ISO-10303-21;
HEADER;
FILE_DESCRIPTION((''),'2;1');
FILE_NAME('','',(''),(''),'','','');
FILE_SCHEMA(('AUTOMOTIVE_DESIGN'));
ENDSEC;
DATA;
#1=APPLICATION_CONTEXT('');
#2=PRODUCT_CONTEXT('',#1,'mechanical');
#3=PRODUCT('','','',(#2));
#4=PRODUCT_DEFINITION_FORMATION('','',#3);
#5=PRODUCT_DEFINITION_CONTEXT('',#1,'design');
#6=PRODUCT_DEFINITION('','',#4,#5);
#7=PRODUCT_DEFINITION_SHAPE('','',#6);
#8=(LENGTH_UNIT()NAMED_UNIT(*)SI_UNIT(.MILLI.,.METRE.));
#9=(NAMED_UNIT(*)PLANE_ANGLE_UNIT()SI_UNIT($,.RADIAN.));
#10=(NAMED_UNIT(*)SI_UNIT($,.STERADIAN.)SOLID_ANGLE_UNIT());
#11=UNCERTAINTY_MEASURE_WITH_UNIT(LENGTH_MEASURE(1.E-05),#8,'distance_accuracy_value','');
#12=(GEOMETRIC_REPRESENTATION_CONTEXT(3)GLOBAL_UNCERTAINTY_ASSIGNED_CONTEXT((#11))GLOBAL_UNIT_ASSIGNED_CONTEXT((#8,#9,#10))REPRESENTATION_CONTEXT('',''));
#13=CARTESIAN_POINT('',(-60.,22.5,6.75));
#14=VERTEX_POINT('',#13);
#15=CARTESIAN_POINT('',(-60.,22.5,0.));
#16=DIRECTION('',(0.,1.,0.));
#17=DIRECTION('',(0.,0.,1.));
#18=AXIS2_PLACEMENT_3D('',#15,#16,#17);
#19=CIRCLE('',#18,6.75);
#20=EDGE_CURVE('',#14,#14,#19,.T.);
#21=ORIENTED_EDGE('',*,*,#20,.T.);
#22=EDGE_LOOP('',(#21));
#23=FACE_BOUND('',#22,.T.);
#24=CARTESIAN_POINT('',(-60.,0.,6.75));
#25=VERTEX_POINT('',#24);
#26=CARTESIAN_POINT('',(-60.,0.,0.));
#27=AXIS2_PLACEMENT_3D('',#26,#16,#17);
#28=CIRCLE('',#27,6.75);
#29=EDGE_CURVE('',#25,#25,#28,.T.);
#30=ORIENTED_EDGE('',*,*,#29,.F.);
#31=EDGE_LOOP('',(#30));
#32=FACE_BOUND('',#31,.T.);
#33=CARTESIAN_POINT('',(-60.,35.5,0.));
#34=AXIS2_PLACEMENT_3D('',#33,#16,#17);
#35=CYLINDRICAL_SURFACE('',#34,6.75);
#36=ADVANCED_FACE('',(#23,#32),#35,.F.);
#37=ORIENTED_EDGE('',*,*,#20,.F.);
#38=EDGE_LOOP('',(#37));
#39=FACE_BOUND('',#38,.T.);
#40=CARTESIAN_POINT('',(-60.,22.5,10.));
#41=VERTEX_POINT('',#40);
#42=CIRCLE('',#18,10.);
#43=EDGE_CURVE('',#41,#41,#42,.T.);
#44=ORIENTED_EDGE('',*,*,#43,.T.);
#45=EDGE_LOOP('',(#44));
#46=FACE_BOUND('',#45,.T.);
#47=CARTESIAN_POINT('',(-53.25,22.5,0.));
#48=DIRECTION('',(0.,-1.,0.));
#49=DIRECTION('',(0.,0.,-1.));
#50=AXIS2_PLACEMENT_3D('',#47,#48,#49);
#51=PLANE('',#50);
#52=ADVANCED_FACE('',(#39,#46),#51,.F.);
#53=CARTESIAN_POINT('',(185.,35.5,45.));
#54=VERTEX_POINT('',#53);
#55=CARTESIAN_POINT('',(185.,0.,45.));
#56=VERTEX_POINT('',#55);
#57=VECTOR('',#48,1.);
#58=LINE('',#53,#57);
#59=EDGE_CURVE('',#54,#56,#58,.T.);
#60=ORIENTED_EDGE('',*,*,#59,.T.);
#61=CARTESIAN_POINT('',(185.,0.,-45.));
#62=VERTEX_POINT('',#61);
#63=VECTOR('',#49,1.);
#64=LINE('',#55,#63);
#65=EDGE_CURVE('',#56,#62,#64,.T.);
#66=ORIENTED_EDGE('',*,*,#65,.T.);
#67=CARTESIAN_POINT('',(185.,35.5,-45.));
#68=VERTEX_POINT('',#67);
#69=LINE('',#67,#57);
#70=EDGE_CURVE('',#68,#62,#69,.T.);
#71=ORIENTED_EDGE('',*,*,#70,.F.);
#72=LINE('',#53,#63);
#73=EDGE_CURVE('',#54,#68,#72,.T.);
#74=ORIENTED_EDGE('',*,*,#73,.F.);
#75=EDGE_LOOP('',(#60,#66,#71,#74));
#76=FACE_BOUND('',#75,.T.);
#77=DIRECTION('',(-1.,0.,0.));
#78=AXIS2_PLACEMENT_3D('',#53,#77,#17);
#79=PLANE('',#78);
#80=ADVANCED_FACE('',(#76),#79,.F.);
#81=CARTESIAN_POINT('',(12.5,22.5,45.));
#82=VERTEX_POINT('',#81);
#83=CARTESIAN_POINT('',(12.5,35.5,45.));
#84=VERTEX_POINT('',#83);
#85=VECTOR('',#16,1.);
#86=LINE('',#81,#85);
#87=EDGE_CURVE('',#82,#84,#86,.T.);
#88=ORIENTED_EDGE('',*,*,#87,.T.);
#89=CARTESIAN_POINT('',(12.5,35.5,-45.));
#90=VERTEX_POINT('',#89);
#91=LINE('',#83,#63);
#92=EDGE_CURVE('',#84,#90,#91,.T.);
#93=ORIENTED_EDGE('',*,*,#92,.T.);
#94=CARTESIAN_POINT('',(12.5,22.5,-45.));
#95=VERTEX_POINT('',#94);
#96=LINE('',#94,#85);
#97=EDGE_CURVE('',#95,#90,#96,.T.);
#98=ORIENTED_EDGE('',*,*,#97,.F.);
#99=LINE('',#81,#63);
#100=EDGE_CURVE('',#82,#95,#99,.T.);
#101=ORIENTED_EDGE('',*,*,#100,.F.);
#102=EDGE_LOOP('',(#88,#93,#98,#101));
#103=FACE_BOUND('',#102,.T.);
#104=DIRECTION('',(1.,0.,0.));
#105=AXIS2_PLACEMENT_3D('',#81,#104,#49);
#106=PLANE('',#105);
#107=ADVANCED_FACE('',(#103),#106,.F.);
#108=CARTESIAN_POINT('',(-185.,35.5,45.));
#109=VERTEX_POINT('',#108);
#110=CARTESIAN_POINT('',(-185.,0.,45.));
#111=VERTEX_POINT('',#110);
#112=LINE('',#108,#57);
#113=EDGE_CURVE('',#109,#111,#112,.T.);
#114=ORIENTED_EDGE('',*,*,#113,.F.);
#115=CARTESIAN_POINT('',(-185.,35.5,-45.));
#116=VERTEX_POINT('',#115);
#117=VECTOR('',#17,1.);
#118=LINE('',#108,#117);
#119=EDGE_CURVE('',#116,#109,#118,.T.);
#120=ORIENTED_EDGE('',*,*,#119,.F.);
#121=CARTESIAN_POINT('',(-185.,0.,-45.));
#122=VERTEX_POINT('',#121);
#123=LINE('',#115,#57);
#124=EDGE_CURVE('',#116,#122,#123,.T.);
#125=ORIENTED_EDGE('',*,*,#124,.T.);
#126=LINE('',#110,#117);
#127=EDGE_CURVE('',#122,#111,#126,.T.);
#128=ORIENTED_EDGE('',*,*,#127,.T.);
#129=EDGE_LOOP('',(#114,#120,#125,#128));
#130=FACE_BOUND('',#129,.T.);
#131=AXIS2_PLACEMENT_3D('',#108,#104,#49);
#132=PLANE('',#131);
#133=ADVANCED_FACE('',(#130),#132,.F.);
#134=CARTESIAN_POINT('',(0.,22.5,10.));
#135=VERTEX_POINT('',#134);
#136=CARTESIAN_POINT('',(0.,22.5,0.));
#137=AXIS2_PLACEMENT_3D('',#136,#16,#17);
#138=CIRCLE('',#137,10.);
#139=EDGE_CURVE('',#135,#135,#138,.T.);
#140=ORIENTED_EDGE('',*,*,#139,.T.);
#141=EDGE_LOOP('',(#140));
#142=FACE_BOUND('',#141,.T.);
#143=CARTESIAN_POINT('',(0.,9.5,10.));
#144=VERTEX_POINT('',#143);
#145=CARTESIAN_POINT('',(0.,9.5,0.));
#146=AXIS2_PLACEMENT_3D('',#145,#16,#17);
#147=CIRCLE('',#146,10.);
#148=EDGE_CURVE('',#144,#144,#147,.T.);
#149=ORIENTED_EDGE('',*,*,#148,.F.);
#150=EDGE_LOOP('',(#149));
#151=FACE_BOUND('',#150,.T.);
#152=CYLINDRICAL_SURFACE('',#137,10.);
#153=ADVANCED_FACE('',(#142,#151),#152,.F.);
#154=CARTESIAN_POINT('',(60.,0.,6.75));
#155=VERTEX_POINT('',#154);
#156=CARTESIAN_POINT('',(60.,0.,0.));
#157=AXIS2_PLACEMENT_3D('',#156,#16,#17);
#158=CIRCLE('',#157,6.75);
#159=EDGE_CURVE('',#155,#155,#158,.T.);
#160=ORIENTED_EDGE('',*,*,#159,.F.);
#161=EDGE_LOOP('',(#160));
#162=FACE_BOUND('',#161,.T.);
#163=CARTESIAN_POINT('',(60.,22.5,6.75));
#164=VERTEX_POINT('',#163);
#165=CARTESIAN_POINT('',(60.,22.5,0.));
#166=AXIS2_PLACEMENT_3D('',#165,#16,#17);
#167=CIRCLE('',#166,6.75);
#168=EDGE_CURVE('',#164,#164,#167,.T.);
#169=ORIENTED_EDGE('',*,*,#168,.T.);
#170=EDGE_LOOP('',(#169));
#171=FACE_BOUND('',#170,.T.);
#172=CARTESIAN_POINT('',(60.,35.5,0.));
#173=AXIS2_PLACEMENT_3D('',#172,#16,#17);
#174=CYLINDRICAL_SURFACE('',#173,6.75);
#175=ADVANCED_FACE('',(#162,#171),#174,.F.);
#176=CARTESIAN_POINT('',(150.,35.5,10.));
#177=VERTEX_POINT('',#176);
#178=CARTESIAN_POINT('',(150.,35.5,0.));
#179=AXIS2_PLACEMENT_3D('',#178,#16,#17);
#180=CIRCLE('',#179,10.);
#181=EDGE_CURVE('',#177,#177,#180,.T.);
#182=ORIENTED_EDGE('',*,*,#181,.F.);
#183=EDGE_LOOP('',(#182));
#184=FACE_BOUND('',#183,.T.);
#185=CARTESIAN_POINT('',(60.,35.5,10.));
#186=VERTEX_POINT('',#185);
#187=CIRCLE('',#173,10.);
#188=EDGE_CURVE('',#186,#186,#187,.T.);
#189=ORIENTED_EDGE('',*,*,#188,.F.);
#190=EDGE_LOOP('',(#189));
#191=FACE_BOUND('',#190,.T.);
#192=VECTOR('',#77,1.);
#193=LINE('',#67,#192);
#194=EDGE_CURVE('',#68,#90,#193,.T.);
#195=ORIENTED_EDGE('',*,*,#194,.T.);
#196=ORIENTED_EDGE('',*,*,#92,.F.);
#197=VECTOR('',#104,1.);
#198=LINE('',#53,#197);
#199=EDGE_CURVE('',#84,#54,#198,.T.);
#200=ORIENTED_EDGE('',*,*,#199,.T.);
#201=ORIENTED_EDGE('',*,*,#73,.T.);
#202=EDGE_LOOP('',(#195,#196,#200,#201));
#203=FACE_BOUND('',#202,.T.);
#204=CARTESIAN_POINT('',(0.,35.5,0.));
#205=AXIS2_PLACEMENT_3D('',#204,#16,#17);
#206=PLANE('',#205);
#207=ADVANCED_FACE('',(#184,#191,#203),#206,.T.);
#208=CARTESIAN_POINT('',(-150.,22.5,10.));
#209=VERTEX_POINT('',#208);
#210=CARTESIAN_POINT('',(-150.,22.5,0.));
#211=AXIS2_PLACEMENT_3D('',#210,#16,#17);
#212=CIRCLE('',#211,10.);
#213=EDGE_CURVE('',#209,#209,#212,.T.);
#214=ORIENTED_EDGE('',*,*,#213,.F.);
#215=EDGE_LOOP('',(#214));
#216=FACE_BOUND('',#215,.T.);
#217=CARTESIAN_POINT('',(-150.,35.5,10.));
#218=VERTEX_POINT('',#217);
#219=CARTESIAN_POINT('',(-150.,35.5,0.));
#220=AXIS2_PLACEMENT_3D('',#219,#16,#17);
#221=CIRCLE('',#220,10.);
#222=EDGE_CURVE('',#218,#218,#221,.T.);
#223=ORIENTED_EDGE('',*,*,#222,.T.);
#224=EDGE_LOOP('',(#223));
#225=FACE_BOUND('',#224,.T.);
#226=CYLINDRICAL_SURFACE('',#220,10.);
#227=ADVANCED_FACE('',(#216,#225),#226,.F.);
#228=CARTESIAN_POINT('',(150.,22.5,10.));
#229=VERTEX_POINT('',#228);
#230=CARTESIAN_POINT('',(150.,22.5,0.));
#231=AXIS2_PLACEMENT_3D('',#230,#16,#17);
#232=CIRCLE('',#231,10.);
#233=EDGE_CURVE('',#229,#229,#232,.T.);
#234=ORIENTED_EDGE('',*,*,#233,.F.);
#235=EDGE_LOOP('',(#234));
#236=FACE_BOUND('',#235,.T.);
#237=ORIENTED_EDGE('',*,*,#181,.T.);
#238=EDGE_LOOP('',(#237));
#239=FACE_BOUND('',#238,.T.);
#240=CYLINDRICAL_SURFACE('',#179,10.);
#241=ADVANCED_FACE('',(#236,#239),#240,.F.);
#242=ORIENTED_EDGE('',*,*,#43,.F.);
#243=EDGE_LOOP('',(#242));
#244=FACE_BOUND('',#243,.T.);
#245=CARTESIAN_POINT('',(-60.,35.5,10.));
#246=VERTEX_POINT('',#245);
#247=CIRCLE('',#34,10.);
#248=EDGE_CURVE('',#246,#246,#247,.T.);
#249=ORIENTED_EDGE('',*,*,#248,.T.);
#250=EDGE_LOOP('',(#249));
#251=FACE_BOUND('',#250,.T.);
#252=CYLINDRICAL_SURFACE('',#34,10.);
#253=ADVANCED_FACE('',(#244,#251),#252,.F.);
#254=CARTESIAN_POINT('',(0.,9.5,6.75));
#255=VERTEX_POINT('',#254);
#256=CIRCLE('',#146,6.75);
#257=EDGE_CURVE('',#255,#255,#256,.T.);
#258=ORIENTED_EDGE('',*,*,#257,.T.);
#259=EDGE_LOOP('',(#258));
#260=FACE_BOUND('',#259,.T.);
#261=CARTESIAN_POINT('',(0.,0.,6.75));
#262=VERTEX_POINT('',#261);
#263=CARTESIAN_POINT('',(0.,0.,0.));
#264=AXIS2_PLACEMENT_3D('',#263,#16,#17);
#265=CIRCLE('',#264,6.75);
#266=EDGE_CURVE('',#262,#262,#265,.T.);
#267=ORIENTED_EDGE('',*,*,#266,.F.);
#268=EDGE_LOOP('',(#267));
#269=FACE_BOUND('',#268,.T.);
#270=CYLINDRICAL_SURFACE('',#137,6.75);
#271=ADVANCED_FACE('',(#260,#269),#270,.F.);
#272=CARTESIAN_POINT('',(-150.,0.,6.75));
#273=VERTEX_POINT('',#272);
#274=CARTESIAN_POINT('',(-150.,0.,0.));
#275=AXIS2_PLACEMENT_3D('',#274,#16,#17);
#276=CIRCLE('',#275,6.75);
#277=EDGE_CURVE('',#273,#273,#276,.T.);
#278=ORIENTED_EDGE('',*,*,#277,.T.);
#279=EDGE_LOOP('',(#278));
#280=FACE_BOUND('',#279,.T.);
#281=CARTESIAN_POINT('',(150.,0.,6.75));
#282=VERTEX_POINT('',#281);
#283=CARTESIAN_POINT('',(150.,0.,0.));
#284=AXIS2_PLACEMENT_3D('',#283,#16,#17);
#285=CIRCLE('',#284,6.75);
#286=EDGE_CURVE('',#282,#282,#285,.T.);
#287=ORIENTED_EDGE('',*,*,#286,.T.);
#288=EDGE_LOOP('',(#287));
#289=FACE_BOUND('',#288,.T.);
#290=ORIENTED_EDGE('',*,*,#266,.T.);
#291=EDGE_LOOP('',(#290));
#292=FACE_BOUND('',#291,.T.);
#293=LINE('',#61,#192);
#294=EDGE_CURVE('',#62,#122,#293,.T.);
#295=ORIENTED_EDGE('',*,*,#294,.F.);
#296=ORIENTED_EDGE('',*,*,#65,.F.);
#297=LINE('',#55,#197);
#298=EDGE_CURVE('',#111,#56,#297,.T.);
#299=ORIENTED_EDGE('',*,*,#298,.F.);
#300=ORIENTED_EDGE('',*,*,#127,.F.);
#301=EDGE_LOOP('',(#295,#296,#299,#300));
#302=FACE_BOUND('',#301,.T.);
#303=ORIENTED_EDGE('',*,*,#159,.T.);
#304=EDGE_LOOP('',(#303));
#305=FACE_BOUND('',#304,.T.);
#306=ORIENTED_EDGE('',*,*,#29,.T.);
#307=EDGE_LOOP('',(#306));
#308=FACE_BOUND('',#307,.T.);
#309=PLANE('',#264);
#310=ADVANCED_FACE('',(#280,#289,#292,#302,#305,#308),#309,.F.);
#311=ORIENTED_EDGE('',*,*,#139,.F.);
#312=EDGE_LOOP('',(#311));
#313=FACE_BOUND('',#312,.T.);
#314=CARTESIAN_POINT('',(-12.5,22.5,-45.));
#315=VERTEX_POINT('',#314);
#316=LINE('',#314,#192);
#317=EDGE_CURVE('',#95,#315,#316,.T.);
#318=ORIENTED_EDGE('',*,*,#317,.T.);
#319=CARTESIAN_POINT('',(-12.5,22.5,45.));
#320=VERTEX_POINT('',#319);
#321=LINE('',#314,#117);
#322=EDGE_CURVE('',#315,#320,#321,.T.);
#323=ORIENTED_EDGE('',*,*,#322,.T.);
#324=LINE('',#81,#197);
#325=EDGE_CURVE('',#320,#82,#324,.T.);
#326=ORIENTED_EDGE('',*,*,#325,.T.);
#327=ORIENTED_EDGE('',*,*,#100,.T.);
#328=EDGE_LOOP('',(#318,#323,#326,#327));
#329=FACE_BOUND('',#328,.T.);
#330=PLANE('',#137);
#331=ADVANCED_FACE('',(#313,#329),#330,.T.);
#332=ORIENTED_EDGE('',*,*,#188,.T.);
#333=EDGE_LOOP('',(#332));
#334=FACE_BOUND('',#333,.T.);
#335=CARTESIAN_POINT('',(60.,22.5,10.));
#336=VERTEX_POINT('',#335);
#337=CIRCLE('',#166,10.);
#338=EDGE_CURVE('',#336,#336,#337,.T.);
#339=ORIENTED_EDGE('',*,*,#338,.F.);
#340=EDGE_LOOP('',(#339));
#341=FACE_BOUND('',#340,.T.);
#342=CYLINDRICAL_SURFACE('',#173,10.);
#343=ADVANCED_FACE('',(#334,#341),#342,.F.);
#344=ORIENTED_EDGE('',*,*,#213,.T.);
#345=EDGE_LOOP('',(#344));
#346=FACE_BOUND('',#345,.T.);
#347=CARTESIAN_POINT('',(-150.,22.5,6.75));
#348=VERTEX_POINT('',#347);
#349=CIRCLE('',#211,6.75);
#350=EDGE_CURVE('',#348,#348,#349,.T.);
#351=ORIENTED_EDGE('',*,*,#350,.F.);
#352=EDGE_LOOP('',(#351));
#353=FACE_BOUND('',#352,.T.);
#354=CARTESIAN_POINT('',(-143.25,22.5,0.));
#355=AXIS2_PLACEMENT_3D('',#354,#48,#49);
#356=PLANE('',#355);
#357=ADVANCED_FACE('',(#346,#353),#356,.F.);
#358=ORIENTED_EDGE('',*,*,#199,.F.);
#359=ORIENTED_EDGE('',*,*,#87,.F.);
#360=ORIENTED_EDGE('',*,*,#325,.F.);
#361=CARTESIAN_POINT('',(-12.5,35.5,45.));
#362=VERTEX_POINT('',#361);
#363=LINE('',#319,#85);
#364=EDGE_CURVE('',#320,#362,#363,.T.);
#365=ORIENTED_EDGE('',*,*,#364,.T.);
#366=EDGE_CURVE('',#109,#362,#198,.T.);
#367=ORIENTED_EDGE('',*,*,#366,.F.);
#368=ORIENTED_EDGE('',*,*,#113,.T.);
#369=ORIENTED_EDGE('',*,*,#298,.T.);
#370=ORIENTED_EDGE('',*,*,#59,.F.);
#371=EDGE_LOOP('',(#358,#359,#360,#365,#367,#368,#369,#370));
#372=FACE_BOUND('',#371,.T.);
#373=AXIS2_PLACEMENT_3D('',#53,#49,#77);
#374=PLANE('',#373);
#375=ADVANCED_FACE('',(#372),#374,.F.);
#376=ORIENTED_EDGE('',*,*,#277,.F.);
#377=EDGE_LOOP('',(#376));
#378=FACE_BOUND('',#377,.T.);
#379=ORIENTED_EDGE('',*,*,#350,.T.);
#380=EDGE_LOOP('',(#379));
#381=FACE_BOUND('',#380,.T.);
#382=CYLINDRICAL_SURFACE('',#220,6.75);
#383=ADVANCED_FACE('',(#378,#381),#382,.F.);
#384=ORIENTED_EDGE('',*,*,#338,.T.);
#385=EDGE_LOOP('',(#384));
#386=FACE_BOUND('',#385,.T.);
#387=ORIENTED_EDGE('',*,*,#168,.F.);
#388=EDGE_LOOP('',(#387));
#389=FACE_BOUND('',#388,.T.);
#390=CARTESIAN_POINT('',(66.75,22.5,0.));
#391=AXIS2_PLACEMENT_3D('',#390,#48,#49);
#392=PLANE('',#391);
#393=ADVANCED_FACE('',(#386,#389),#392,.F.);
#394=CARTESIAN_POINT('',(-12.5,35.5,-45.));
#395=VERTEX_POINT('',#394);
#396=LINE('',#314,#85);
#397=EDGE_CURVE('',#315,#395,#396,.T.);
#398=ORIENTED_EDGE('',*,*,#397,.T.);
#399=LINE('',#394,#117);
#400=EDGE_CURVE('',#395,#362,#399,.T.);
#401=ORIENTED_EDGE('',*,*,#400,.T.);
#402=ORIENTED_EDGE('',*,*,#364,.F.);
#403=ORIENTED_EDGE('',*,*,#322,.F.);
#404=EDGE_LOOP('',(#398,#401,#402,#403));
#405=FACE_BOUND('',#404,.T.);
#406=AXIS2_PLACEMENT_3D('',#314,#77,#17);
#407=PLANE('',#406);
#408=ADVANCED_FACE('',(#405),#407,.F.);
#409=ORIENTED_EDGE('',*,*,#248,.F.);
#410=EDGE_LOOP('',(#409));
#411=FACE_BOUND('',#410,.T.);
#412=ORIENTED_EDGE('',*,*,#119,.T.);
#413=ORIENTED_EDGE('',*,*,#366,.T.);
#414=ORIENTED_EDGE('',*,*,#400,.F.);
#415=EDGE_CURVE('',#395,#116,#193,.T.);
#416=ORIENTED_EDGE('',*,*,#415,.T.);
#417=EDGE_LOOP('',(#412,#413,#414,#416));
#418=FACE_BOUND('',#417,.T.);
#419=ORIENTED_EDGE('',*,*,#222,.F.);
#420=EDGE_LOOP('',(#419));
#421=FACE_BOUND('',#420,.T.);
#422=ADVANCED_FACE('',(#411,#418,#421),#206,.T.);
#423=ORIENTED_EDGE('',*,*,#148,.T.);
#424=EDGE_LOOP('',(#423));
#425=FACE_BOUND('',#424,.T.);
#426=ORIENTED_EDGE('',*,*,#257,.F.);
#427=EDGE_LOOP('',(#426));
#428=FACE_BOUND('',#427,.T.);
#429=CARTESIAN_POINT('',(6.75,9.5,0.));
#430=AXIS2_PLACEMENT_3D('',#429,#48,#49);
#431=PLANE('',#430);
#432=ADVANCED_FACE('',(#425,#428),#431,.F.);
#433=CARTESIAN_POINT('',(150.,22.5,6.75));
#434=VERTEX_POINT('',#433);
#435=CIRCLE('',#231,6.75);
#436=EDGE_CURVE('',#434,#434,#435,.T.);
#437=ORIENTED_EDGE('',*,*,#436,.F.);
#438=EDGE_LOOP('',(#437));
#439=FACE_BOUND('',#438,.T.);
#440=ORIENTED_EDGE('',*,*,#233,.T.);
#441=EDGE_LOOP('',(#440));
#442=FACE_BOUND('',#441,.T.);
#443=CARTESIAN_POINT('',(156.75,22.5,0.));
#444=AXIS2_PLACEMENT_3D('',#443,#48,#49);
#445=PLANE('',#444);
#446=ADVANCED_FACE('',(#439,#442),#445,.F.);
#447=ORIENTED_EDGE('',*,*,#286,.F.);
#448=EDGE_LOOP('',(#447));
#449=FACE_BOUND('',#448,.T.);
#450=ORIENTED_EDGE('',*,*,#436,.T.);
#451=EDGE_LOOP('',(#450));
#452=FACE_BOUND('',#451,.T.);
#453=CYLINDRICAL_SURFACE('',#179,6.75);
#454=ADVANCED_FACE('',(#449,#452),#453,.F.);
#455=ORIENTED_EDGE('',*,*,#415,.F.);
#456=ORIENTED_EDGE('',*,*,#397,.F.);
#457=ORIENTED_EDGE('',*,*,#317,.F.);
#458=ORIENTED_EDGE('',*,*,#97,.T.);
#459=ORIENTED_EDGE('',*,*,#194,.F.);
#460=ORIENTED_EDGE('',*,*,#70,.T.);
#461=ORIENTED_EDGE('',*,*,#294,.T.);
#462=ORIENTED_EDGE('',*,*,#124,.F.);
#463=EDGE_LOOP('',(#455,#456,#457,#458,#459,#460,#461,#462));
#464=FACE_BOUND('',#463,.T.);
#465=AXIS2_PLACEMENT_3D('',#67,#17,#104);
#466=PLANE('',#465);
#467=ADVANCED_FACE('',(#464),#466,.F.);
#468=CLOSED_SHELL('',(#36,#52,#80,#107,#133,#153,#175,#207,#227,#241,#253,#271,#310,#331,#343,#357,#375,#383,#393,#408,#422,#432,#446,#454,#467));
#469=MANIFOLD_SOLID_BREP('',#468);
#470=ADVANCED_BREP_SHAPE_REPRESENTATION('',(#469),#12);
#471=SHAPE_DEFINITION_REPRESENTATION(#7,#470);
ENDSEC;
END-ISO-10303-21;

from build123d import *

# Parameters (mm, degrees)
SKETCH_1_W                          = 370
SKETCH_1_H                          = 90
EXTRUDE_1_DEPTH                     = 35.5
SKETCH_2_W                          = 25
SKETCH_2_H                          = 90
CUT_EXTRUDE_1_DEPTH                 = 13
HOLE_WIZARD_M4_1_D                  = 13.5
HOLE_WIZARD_M4_1_CBORE_D            = 20
HOLE_WIZARD_M4_1_CBORE_DEPTH        = 13
PATTERN_LINEAR_1_COUNT              = 2
PATTERN_LINEAR_1_PITCH              = 90
PATTERN_LINEAR_2_COPY_1_D           = 13.5
PATTERN_LINEAR_2_COPY_1_CBORE_D     = 20
PATTERN_LINEAR_2_COPY_1_CBORE_DEPTH = 13
PATTERN_LINEAR_3_COPY_1_D           = 13.5
PATTERN_LINEAR_3_COPY_1_CBORE_D     = 20
PATTERN_LINEAR_3_COPY_1_CBORE_DEPTH = 13
PATTERN_LINEAR_3_COPY_2_D           = 13.5
PATTERN_LINEAR_3_COPY_2_CBORE_D     = 20
PATTERN_LINEAR_3_COPY_2_CBORE_DEPTH = 13
HOLE_WIZARD_M4_2_D                  = 13.5
HOLE_WIZARD_M4_2_CBORE_D            = 20
HOLE_WIZARD_M4_2_CBORE_DEPTH        = 13


with BuildPart() as part:
    # 草图1 → 凸台-拉伸1 (new body)
    with BuildSketch(Plane(origin=(0, 0, 0), x_dir=(1, 0, 0), z_dir=(0, 1, 0))):
        Rectangle(SKETCH_1_W, SKETCH_1_H)
    extrude(amount=EXTRUDE_1_DEPTH)

    # 草图2 → 切除-拉伸1 (cut)
    with BuildSketch(Plane(origin=(0, 35.5, 0), x_dir=(1, 0, 0), z_dir=(0, 1, 0))):
        Rectangle(SKETCH_2_W, SKETCH_2_H)
    extrude(amount=-CUT_EXTRUDE_1_DEPTH, mode=Mode.SUBTRACT)

    # M4 六角头螺栓的柱形沉头孔1 (through all)
    with Locations(Plane(origin=(0, 35.5, 0), x_dir=(1, 0, 0), z_dir=(0, 1, 0))):
        with Locations((-150, 0)):
            hole_wizard_m4_1 = CounterBoreHole(HOLE_WIZARD_M4_1_D / 2, HOLE_WIZARD_M4_1_CBORE_D / 2, HOLE_WIZARD_M4_1_CBORE_DEPTH)

    # 阵列(线性)1: M4 六角头螺栓的柱形沉头孔1 ×2
    with Locations(*[(i * PATTERN_LINEAR_1_PITCH, 0, 0) for i in range(1, PATTERN_LINEAR_1_COUNT)]):
        add(hole_wizard_m4_1, mode=Mode.SUBTRACT)

    # 阵列(线性)2 copy 1 (through all)
    with Locations(Plane(origin=(210, 35.5, 0), x_dir=(1, 0, 0), z_dir=(0, 1, 0))):
        with Locations((-150, 0)):
            CounterBoreHole(PATTERN_LINEAR_2_COPY_1_D / 2, PATTERN_LINEAR_2_COPY_1_CBORE_D / 2, PATTERN_LINEAR_2_COPY_1_CBORE_DEPTH)

    # 阵列(线性)3 copy 1 (through all)
    with Locations(Plane(origin=(300, 35.5, 0), x_dir=(1, 0, 0), z_dir=(0, 1, 0))):
        with Locations((-150, 0)):
            CounterBoreHole(PATTERN_LINEAR_3_COPY_1_D / 2, PATTERN_LINEAR_3_COPY_1_CBORE_D / 2, PATTERN_LINEAR_3_COPY_1_CBORE_DEPTH)

    # 阵列(线性)3 copy 2 (through all)
    with Locations(Plane(origin=(90, 35.5, 0), x_dir=(1, 0, 0), z_dir=(0, 1, 0))):
        with Locations((-150, 0)):
            CounterBoreHole(PATTERN_LINEAR_3_COPY_2_D / 2, PATTERN_LINEAR_3_COPY_2_CBORE_D / 2, PATTERN_LINEAR_3_COPY_2_CBORE_DEPTH)

    # M4 六角头螺栓的柱形沉头孔2 (through all)
    with Locations(Plane(origin=(0, 22.5, 0), x_dir=(1, 0, 0), z_dir=(0, 1, 0))):
        with Locations((0, 0)):
            CounterBoreHole(HOLE_WIZARD_M4_2_D / 2, HOLE_WIZARD_M4_2_CBORE_D / 2, HOLE_WIZARD_M4_2_CBORE_DEPTH)


solid = part.part
